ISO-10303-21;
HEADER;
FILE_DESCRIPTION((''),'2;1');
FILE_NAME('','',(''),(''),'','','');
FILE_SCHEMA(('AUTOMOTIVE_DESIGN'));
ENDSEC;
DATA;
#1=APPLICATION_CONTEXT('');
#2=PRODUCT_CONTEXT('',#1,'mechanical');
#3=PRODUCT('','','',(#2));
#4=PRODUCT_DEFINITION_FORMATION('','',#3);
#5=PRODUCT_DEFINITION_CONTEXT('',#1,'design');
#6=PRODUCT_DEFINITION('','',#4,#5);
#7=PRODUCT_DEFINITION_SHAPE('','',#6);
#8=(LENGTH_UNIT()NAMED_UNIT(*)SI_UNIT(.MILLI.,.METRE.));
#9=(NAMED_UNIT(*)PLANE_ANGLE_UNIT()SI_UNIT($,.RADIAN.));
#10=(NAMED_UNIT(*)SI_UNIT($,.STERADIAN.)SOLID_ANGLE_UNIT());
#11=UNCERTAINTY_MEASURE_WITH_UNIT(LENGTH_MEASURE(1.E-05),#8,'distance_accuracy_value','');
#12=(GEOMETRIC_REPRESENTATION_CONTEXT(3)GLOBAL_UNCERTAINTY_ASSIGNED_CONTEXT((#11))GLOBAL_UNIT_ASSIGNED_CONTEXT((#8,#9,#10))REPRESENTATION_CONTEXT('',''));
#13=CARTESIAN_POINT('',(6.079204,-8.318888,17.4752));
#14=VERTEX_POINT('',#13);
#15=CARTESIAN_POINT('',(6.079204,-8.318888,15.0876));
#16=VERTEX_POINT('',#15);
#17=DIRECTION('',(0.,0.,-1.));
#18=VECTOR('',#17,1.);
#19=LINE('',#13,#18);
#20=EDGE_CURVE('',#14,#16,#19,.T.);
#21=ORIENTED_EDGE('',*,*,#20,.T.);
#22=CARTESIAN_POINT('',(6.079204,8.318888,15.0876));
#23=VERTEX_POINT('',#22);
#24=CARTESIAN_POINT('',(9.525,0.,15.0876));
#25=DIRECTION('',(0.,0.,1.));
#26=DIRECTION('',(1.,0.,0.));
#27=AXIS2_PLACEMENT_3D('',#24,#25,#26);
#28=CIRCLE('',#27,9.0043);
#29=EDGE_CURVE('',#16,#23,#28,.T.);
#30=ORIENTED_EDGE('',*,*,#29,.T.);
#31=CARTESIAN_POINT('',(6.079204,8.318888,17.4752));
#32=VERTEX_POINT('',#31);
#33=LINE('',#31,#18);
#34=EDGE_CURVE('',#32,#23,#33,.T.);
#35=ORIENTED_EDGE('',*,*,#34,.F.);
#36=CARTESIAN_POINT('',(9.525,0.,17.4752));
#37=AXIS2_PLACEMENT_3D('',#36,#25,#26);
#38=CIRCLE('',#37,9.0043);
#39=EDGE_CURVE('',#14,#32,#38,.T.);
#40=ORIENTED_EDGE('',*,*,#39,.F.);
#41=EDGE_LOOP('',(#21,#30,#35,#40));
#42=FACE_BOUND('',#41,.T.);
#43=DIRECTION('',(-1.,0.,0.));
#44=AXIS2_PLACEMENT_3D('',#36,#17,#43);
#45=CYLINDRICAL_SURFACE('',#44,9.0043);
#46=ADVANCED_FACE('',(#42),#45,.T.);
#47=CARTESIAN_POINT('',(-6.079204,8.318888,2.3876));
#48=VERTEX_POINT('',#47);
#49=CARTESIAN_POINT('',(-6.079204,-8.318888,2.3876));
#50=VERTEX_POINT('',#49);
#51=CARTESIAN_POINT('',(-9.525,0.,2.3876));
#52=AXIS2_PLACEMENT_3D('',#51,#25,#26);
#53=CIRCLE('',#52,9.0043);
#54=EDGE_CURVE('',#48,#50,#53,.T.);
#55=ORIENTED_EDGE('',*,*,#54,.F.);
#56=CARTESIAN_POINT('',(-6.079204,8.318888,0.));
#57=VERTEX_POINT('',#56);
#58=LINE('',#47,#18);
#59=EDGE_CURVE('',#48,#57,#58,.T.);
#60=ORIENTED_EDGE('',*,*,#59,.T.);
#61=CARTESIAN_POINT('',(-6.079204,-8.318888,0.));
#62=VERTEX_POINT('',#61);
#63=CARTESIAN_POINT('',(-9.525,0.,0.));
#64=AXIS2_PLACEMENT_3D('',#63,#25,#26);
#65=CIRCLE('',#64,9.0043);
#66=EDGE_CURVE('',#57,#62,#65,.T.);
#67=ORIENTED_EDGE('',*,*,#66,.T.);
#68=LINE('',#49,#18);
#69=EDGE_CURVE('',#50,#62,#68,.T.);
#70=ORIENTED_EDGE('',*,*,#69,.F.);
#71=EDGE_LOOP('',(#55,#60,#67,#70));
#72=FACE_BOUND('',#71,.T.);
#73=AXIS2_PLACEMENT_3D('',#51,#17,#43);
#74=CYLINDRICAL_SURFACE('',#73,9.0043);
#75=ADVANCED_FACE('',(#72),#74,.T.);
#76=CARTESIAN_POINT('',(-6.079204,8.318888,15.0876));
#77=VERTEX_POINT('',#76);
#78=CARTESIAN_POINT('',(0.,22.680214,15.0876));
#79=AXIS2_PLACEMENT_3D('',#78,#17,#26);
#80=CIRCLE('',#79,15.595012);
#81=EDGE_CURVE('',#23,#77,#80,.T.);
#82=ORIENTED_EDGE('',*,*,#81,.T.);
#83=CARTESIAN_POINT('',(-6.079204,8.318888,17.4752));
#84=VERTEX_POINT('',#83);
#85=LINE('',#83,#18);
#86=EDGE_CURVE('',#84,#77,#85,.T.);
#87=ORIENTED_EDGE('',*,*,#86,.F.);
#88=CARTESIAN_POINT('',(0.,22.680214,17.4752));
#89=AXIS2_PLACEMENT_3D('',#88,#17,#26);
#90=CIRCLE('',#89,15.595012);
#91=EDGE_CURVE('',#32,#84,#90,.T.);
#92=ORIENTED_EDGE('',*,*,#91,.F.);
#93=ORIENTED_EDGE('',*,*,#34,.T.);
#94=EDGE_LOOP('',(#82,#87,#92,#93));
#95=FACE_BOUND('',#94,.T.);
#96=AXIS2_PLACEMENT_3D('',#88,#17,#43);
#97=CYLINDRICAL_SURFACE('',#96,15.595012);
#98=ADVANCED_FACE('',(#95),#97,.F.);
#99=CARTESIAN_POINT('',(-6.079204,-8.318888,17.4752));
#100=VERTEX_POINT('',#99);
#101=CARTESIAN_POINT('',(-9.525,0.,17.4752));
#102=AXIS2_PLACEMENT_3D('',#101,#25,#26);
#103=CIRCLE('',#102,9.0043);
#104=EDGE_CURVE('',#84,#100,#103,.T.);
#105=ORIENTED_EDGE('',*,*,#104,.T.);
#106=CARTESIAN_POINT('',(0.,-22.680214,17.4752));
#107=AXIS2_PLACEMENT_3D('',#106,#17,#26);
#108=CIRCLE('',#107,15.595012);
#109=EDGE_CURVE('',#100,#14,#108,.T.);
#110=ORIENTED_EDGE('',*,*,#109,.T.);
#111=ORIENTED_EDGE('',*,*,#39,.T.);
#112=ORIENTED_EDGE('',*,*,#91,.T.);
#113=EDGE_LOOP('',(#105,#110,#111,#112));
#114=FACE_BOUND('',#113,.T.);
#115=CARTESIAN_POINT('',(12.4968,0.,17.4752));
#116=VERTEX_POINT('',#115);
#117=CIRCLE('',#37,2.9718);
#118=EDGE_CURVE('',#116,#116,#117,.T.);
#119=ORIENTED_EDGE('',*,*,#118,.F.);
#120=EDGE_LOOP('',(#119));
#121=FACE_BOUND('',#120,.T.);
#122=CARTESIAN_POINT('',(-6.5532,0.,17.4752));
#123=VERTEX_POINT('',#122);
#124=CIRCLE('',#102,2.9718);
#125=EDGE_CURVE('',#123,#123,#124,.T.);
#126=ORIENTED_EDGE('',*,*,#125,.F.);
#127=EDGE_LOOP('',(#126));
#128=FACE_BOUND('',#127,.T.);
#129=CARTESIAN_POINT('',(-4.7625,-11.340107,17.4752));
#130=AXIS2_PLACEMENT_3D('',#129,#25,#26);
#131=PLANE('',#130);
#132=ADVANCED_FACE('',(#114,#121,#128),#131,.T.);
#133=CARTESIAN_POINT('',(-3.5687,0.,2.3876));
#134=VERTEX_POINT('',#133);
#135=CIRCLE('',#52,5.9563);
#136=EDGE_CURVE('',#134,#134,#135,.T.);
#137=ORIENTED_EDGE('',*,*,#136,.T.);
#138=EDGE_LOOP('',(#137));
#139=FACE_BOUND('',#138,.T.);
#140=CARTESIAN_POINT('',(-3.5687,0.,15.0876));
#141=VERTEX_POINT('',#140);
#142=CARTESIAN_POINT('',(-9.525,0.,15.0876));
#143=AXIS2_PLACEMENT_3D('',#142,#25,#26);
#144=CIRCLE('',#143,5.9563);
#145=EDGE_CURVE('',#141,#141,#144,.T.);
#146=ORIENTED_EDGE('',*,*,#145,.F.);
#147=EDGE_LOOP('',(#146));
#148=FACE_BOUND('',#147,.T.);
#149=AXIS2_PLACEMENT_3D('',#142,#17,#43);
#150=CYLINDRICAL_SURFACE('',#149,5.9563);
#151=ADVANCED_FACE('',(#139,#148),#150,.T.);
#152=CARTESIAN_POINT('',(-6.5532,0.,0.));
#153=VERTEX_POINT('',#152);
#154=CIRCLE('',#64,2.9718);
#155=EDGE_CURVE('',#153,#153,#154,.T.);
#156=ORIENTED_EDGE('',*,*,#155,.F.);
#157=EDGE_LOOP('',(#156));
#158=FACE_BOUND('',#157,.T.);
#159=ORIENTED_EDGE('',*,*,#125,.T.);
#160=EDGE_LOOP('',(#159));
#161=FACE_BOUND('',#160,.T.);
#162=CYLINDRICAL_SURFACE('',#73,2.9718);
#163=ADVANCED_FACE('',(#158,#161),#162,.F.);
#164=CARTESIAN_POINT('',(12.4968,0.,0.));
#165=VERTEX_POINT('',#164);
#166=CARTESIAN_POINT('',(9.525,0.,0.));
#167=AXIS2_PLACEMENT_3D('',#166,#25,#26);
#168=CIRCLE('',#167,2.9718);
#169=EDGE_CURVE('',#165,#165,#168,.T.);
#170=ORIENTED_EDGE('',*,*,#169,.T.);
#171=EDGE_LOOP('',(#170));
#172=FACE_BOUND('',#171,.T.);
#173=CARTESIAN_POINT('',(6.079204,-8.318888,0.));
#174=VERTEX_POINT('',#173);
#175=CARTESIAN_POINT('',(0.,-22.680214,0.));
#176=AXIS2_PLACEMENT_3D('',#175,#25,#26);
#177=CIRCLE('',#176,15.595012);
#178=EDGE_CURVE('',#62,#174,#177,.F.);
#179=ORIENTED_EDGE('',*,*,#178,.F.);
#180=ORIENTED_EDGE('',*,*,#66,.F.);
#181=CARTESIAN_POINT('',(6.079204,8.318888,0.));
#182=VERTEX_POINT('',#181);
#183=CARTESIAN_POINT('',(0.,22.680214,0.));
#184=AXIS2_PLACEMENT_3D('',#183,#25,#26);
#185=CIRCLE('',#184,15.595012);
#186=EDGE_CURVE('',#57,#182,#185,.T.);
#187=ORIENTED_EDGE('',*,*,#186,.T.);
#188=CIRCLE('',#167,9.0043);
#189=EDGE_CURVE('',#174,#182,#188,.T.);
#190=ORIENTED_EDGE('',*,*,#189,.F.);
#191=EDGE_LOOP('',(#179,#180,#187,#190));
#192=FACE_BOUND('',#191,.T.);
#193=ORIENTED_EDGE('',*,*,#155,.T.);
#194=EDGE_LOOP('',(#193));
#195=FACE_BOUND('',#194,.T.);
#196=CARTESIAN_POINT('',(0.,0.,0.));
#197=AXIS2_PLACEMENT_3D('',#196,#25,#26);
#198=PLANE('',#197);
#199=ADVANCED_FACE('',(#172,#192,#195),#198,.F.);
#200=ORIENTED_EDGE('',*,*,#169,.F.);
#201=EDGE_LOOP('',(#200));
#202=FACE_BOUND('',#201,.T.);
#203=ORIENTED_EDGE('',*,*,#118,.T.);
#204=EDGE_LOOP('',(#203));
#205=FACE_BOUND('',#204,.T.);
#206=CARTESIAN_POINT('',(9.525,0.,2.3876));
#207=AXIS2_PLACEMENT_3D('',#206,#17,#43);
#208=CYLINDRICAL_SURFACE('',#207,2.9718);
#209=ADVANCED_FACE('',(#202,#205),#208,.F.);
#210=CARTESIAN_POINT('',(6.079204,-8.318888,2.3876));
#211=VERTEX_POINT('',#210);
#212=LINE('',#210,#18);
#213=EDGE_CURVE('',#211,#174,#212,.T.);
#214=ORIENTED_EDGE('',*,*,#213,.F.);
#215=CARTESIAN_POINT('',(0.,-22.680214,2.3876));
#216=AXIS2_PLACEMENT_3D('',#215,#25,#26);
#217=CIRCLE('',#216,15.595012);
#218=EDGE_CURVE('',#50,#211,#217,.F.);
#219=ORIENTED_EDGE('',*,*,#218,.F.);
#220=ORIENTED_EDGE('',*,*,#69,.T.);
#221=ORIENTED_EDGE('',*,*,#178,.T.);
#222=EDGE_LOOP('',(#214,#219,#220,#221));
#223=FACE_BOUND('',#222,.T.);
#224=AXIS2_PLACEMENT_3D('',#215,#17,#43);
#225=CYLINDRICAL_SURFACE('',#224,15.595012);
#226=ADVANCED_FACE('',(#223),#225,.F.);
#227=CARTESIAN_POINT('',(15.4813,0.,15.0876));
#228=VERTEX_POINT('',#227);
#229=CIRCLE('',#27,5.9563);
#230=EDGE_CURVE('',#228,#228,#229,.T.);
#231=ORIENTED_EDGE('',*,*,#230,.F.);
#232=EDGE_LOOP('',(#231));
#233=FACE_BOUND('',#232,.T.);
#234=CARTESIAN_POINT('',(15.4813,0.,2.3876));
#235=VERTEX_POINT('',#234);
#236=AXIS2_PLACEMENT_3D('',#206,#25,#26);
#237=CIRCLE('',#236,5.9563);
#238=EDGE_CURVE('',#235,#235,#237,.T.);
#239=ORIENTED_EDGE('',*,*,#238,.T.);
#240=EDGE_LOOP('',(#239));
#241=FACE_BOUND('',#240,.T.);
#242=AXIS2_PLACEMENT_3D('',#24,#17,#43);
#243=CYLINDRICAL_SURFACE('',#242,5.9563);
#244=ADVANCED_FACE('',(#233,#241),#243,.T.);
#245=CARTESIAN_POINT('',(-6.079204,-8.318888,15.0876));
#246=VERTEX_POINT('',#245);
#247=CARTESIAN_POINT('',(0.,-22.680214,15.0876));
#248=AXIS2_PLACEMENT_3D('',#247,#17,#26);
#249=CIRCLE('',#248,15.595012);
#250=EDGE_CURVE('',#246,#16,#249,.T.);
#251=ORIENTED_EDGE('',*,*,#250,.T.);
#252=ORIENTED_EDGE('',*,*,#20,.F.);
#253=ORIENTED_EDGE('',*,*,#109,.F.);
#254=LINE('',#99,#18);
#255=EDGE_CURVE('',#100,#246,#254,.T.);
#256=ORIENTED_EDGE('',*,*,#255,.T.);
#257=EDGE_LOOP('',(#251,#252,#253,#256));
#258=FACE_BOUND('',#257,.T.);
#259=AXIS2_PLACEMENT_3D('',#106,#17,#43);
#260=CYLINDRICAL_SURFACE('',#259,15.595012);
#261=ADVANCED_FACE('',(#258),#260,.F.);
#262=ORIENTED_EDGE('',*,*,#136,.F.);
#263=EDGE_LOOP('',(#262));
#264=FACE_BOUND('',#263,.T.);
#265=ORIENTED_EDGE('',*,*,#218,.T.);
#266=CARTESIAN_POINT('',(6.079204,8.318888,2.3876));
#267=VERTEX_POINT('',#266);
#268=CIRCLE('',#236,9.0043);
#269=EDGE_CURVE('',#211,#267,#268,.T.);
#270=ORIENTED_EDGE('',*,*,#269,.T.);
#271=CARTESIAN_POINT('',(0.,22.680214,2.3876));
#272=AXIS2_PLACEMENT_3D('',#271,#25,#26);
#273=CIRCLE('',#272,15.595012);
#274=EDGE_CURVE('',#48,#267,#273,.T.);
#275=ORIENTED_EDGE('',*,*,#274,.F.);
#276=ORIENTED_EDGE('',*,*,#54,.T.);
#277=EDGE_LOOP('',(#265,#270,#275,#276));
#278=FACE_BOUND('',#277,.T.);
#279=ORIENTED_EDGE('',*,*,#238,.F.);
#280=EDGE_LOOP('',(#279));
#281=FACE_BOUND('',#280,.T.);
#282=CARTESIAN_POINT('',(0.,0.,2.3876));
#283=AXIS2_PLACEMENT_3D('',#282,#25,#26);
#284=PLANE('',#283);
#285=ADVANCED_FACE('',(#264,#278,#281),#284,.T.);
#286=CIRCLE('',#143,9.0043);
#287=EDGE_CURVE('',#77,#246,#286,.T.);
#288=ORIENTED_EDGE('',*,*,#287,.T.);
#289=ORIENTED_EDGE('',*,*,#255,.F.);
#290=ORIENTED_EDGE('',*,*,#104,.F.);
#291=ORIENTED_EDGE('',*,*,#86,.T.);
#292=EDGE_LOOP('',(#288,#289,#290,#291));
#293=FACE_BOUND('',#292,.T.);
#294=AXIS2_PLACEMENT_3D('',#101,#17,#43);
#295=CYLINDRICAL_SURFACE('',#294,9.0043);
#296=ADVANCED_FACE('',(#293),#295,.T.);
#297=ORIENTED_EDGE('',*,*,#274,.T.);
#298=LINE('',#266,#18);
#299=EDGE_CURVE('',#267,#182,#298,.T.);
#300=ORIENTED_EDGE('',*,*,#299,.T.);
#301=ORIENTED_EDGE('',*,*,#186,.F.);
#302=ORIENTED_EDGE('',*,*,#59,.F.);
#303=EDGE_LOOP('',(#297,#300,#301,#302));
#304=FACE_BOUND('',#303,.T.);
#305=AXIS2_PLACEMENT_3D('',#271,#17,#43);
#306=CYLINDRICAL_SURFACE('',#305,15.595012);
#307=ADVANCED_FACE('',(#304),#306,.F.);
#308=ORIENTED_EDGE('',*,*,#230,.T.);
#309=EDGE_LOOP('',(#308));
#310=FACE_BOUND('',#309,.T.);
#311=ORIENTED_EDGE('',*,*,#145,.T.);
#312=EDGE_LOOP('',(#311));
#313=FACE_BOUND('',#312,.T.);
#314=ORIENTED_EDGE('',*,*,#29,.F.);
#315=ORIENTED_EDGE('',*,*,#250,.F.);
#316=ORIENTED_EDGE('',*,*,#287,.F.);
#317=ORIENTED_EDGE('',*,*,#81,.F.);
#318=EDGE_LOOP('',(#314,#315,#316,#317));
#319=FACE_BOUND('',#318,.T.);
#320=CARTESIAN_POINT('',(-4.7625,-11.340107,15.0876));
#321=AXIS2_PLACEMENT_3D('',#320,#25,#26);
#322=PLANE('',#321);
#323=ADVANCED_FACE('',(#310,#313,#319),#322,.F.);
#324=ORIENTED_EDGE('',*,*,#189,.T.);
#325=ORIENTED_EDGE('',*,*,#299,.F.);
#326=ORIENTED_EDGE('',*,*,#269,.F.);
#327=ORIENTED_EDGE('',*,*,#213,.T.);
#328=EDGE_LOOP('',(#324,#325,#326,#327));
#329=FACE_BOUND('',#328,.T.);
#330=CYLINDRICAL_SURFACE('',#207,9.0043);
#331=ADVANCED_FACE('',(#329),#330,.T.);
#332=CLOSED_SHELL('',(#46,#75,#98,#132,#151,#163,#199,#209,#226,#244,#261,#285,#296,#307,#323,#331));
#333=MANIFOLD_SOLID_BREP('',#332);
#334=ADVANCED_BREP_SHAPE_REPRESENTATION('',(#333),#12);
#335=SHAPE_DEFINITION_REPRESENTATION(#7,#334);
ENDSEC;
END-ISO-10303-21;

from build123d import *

# Parameters (mm, degrees)
SKETCH1_R           = 2.9718
BOSS_EXTRUDE1_DEPTH = 2.3876
SKETCH2_R           = 5.9563
SKETCH2_R_2         = 2.9718
BOSS_EXTRUDE2_DEPTH = 12.7
SKETCH3_R           = 2.9718
BOSS_EXTRUDE3_DEPTH = 2.3876


with BuildPart() as part:
    # Sketch1 → Boss-Extrude1 (new body)
    # profile 1 of 7: a face of its own
    with BuildSketch(Plane.XY):
        with BuildLine():
            Line((-5.02285, 4.50215), (-9.525, 9.0043))
            ThreePointArc((-9.525, 9.0043), (-18.3562849, -1.756651787), (-6.07920357, -8.318888475))
            ThreePointArc((-6.07920357, -8.318888475), (-6.038523344, -8.30173624), (-5.997794724, -8.284699236))
            ThreePointArc((-5.997794724, -8.284699236), (-2.013760656, -4.965752915), (-0.5207, 0))
            Line((-0.5207, 0), (-5.02285, 4.50215))
        make_face()
        with Locations((-9.525, 0)):
            Circle(SKETCH1_R, mode=Mode.SUBTRACT)
    # profile 2 of 7: a face of its own
    with BuildSketch(Plane.XY):
        with BuildLine():
            ThreePointArc((-6.07920357, 8.318888475), (-7.768348213, 8.8312849), (-9.525, 9.0043))
            Line((-9.525, 9.0043), (-5.02285, 4.50215))
            Line((-5.02285, 4.50215), (-3.15799841, 6.36700159))
            ThreePointArc((-3.15799841, 6.36700159), (-4.485831076, 7.462184335), (-5.997794724, 8.284699236))
            ThreePointArc((-5.997794724, 8.284699236), (-6.038523344, 8.30173624), (-6.07920357, 8.318888475))
        make_face()
    # profile 3 of 7: a face of its own
    with BuildSketch(Plane.XY):
        with BuildLine():
            ThreePointArc((-3.15799841, 6.36700159), (-1.206111525, 3.44579643), (-0.5207, 0))
            ThreePointArc((-0.5207, 0), (-2.013760656, -4.965752915), (-5.997794724, -8.284699236))
            ThreePointArc((-5.997794724, -8.284699236), (0, -7.08520242), (5.997794724, -8.284699236))
            ThreePointArc((5.997794724, -8.284699236), (0.685208337, -1.713330628), (3.15799841, 6.36700159))
            Line((3.15799841, 6.36700159), (0, 6.36700159))
            Line((0, 6.36700159), (-3.15799841, 6.36700159))
        make_face()
    # profile 4 of 7: a face of its own
    with BuildSketch(Plane.XY):
        with BuildLine():
            Line((-3.15799841, 6.36700159), (-5.02285, 4.50215))
            Line((-5.02285, 4.50215), (-0.5207, 0))
            ThreePointArc((-0.5207, 0), (-1.206111525, 3.44579643), (-3.15799841, 6.36700159))
        make_face()
    # profile 5 of 7: a face of its own
    with BuildSketch(Plane.XY):
        with BuildLine():
            ThreePointArc((-5.997794724, 8.284699236), (-4.485831076, 7.462184335), (-3.15799841, 6.36700159))
            Line((-3.15799841, 6.36700159), (0, 6.36700159))
            Line((0, 6.36700159), (0, 7.08520242))
            ThreePointArc((0, 7.08520242), (-3.058281141, 7.388016551), (-5.997794724, 8.284699236))
        make_face()
    # profile 6 of 7: a face of its own
    with BuildSketch(Plane.XY):
        with BuildLine():
            ThreePointArc((5.997794724, 8.284699236), (3.058281141, 7.388016551), (0, 7.08520242))
            Line((0, 7.08520242), (0, 6.36700159))
            Line((0, 6.36700159), (3.15799841, 6.36700159))
            ThreePointArc((3.15799841, 6.36700159), (4.485831076, 7.462184335), (5.997794724, 8.284699236))
        make_face()
    # profile 7 of 7: a face of its own
    with BuildSketch(Plane.XY):
        with BuildLine():
            ThreePointArc((18.5293, 0), (15.89200159, 6.36700159), (9.525, 9.0043))
            ThreePointArc((9.525, 9.0043), (7.768348213, 8.8312849), (6.07920357, 8.318888475))
            ThreePointArc((6.07920357, 8.318888475), (6.038523344, 8.30173624), (5.997794724, 8.284699236))
            ThreePointArc((5.997794724, 8.284699236), (4.485831076, 7.462184335), (3.15799841, 6.36700159))
            ThreePointArc((3.15799841, 6.36700159), (0.685208337, -1.713330628), (5.997794724, -8.284699236))
            ThreePointArc((5.997794724, -8.284699236), (6.038523344, -8.30173624), (6.07920357, -8.318888475))
            ThreePointArc((6.07920357, -8.318888475), (14.527521049, -7.48680183), (18.5293, 0))
        make_face()
        with Locations((9.525, 0)):
            Circle(SKETCH1_R, mode=Mode.SUBTRACT)
    extrude(amount=BOSS_EXTRUDE1_DEPTH)

    # Sketch2 → Boss-Extrude2 (add)
    # profile 1 of 2: a face of its own
    with BuildSketch(Plane.XY.offset(2.3876)):
        with Locations((9.525, 0)):
            Circle(SKETCH2_R)
        with Locations((9.525, 0)):
            Circle(SKETCH2_R_2, mode=Mode.SUBTRACT)
    # profile 2 of 2: a face of its own
    with BuildSketch(Plane.XY.offset(2.3876)):
        with Locations((-9.525, 0)):
            Circle(SKETCH2_R)
        with Locations((-9.525, 0)):
            Circle(SKETCH2_R_2, mode=Mode.SUBTRACT)
    extrude(amount=BOSS_EXTRUDE2_DEPTH)

    # Sketch3 → Boss-Extrude3 (add)
    with BuildSketch(Plane.XY.offset(15.0876)):
        with BuildLine():
            ThreePointArc((6.07920357, -8.318888475), (18.5293, 0), (6.07920357, 8.318888475))
            ThreePointArc((6.07920357, 8.318888475), (0, 7.08520242), (-6.07920357, 8.318888475))
            ThreePointArc((-6.07920357, 8.318888475), (-18.5293, 0), (-6.07920357, -8.318888475))
            ThreePointArc((-6.07920357, -8.318888475), (0, -7.08520242), (6.07920357, -8.318888475))
        make_face()
        with Locations((-9.525, 0)):
            Circle(SKETCH3_R, mode=Mode.SUBTRACT)
        with Locations((9.525, 0)):
            Circle(SKETCH3_R, mode=Mode.SUBTRACT)
    extrude(amount=BOSS_EXTRUDE3_DEPTH)


solid = part.part
